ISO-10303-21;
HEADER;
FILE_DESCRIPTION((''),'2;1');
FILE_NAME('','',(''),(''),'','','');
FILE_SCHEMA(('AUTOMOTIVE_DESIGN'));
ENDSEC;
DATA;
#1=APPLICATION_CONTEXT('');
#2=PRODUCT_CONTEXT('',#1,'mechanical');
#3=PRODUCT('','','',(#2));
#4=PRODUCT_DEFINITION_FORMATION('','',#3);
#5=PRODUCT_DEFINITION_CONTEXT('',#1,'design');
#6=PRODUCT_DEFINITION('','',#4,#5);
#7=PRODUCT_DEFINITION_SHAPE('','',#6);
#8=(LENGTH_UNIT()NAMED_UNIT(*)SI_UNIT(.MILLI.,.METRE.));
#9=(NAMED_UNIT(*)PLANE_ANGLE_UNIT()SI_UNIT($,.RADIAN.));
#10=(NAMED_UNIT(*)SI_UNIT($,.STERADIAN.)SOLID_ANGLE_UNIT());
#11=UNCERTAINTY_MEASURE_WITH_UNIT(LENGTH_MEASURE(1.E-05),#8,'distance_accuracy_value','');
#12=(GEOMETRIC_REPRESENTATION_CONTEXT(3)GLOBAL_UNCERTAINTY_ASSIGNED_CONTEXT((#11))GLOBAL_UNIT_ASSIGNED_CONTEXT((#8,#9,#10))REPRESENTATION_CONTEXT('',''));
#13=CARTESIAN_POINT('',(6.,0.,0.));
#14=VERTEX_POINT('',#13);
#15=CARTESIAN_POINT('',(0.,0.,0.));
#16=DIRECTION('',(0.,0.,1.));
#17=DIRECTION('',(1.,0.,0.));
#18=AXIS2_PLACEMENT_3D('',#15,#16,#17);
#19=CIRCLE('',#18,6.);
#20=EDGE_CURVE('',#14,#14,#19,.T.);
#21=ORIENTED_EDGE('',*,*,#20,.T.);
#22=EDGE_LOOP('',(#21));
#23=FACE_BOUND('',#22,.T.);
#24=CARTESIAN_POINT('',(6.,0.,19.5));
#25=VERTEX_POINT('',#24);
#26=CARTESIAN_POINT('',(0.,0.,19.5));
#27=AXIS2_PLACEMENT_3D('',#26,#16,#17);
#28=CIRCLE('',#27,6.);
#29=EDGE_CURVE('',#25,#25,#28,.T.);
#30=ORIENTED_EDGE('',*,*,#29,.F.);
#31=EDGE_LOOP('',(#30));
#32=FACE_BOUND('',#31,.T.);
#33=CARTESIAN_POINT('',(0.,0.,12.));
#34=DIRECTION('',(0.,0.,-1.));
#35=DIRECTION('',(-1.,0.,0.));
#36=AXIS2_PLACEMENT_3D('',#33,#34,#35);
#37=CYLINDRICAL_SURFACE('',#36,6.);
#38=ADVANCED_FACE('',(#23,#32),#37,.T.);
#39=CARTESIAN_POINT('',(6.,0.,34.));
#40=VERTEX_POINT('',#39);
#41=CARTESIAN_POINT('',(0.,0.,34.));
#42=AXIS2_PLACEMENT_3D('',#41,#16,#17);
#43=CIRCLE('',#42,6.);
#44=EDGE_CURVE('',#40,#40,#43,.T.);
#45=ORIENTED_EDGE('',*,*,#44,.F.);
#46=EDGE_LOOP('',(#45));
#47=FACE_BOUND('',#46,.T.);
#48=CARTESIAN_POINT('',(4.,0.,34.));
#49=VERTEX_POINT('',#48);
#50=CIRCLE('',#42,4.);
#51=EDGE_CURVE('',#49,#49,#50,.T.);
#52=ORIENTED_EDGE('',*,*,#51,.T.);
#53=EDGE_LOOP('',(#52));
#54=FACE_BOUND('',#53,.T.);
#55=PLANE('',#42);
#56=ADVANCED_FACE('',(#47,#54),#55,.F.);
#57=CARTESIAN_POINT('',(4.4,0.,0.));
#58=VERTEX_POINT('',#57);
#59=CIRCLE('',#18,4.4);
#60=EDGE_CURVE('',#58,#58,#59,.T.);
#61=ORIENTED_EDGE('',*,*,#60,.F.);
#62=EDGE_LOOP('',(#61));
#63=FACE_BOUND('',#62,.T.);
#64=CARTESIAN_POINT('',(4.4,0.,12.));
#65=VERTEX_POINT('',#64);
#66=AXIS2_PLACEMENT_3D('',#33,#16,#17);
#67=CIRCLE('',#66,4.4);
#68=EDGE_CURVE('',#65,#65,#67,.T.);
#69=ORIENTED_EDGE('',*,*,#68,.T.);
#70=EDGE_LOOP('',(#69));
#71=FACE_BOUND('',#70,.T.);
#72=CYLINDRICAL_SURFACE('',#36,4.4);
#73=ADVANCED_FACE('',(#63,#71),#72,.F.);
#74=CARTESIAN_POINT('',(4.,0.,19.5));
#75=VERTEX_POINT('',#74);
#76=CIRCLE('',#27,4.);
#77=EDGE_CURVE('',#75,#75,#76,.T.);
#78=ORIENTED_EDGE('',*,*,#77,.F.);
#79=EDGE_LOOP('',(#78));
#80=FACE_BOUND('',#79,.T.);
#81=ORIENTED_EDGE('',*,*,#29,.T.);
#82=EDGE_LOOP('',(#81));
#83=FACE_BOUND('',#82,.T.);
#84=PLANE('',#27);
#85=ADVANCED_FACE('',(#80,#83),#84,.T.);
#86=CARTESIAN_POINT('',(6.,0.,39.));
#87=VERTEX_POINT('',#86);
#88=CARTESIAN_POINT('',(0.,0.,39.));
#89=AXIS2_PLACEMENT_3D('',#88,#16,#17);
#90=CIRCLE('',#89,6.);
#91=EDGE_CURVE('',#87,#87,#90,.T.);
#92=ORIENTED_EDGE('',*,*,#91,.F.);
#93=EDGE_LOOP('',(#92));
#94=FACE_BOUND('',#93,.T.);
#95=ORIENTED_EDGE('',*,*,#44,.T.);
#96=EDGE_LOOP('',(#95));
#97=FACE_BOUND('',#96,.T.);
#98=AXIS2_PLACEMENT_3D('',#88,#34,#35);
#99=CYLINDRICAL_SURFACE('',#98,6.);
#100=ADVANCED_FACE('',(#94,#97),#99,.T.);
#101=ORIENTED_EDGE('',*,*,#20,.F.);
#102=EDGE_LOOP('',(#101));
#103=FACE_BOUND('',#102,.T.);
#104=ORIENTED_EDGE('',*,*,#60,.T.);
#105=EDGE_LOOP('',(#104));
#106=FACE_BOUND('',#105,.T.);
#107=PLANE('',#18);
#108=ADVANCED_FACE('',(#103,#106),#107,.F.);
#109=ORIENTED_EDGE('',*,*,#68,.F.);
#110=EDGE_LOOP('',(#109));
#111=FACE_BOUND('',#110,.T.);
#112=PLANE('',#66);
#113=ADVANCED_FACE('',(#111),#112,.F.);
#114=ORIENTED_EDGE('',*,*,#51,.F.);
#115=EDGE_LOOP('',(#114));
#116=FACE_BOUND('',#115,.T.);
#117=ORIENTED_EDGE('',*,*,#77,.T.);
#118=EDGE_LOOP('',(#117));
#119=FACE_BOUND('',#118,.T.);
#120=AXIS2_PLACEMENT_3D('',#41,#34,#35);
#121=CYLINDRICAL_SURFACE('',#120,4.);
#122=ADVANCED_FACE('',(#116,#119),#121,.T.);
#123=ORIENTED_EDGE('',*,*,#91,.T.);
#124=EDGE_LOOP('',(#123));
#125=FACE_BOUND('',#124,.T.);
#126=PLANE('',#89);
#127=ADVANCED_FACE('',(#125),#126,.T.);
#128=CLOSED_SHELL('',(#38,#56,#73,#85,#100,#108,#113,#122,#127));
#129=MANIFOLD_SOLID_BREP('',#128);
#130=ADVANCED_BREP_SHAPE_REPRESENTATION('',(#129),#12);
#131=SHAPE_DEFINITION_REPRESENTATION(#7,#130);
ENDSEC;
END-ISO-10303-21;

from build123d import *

# Parameters (mm, degrees)
SKETCH1_R           = 6
SKETCH1_R_2         = 4.4
BOSS_EXTRUDE1_DEPTH = 12
SKETCH2_R           = 6
BOSS_EXTRUDE2_DEPTH = 2
SKETCH3_R           = 4
BOSS_EXTRUDE3_DEPTH = 20
SKETCH4_R           = 6
BOSS_EXTRUDE4_DEPTH = 5
SKETCH5_R           = 6
BOSS_EXTRUDE5_DEPTH = 5.5


with BuildPart() as part:
    # Sketch1 → Boss-Extrude1 (new body)
    with BuildSketch(Plane.XY):
        Circle(SKETCH1_R)
        Circle(SKETCH1_R_2, mode=Mode.SUBTRACT)
    extrude(amount=BOSS_EXTRUDE1_DEPTH)

    # Sketch2 → Boss-Extrude2 (add)
    with BuildSketch(Plane.XY.offset(12)):
        Circle(SKETCH2_R)
    extrude(amount=BOSS_EXTRUDE2_DEPTH)

    # Sketch3 → Boss-Extrude3 (add)
    with BuildSketch(Plane.XY.offset(14)):
        Circle(SKETCH3_R)
    extrude(amount=BOSS_EXTRUDE3_DEPTH)

    # Sketch4 → Boss-Extrude4 (add)
    with BuildSketch(Plane.XY.offset(34)):
        Circle(SKETCH4_R)
    extrude(amount=BOSS_EXTRUDE4_DEPTH)

    # Sketch5 → Boss-Extrude5 (add)
    with BuildSketch(Plane.XY.offset(14)):
        Circle(SKETCH5_R)
    extrude(amount=BOSS_EXTRUDE5_DEPTH)


solid = part.part
